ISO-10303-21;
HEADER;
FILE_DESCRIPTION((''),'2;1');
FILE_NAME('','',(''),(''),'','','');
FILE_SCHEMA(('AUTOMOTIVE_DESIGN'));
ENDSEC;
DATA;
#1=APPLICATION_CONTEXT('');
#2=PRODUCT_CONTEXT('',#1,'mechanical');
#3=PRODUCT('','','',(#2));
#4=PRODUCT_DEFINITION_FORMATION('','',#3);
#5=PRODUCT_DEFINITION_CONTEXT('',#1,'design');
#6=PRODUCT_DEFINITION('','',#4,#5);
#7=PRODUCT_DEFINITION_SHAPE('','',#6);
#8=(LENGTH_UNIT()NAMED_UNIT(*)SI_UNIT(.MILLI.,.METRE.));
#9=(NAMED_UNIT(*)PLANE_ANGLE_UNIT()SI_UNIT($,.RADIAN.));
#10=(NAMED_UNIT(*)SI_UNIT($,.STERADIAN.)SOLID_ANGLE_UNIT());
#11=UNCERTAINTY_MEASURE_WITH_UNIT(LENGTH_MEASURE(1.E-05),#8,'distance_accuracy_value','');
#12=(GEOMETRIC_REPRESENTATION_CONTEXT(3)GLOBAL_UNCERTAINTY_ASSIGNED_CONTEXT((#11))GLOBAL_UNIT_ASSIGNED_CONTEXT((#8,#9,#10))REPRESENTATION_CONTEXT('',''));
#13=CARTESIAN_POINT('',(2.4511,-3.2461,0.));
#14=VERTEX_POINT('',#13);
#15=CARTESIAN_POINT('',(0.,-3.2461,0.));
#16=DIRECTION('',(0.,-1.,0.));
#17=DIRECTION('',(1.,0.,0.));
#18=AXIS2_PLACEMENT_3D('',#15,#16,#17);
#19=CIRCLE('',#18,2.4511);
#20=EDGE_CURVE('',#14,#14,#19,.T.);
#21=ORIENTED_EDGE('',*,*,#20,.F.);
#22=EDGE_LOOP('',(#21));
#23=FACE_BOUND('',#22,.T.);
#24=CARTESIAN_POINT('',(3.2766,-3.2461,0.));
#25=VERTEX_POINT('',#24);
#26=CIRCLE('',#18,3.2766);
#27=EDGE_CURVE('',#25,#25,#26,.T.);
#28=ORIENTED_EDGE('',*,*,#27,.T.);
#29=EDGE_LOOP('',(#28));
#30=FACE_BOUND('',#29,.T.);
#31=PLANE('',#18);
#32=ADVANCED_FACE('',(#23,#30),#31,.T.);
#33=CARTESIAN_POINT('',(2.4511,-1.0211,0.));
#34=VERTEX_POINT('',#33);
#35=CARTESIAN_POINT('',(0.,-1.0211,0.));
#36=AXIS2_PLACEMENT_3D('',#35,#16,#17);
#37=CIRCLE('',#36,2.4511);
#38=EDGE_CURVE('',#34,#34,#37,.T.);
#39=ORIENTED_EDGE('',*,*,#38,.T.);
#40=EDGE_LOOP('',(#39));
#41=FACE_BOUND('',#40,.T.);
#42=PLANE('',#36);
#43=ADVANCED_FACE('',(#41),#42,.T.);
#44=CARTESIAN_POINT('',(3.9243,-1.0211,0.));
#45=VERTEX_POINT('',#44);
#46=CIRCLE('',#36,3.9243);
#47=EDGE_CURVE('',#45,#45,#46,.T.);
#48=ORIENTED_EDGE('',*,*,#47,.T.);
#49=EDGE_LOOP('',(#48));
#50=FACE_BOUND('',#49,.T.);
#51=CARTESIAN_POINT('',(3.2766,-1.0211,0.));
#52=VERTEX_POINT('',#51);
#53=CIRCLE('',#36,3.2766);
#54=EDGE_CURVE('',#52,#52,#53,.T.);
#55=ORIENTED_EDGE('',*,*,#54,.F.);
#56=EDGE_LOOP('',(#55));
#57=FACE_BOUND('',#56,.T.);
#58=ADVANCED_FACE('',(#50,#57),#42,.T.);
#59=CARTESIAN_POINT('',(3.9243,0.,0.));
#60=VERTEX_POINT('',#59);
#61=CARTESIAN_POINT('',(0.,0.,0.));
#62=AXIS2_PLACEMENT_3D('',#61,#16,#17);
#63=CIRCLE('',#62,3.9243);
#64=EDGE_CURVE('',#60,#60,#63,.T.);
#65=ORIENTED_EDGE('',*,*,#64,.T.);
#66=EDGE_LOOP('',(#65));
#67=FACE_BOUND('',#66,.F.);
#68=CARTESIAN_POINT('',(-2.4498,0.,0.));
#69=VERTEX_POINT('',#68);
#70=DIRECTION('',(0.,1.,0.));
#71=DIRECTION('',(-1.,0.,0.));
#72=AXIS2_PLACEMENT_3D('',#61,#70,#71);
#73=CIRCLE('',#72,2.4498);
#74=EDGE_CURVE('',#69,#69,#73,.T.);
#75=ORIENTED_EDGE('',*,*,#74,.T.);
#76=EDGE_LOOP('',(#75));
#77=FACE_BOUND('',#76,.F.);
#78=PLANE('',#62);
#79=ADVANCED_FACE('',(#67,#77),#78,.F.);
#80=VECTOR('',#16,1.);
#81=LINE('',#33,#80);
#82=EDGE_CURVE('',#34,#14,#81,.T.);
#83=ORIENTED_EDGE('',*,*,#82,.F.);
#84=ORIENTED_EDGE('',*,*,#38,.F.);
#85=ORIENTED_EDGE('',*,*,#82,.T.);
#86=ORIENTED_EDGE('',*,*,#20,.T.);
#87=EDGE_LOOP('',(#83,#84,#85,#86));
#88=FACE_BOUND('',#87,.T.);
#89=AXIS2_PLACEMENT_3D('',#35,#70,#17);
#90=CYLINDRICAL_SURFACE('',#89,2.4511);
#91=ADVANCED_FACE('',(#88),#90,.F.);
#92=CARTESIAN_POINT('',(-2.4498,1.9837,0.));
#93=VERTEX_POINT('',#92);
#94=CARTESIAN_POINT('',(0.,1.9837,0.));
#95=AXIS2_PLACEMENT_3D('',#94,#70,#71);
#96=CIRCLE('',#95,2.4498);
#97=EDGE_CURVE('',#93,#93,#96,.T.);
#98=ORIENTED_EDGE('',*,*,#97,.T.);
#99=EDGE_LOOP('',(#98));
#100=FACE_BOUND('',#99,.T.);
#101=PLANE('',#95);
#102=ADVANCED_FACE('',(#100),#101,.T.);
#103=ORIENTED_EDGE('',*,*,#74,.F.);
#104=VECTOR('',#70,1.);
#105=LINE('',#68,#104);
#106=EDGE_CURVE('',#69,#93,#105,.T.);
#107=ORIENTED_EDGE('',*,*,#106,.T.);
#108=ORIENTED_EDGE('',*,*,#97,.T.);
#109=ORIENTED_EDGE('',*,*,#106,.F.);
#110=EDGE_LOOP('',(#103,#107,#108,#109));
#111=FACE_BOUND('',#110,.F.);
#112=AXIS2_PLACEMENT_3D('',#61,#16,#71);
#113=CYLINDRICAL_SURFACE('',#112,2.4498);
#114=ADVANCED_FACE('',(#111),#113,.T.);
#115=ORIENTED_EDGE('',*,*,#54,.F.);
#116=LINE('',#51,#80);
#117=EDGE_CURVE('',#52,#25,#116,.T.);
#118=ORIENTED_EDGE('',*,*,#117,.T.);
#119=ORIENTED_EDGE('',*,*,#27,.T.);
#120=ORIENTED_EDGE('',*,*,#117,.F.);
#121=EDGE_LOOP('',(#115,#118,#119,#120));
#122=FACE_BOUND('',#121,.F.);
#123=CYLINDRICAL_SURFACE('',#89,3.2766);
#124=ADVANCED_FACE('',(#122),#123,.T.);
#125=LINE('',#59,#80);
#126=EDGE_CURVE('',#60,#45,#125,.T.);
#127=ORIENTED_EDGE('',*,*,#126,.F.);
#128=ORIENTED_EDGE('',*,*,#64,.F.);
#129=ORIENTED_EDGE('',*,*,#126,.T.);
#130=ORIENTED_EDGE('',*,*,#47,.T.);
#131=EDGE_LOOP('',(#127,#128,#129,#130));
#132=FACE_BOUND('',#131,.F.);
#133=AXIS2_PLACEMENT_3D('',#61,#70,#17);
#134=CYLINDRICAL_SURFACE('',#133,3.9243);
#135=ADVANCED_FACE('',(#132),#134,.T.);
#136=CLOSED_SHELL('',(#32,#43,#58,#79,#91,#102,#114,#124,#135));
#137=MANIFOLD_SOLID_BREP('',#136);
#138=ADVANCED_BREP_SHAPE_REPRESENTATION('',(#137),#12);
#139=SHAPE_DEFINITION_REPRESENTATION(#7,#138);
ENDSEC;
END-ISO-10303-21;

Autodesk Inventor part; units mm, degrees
ref_plane "YZ Plane" through (0, 0, 0) normal (1, 0, 0) x (0, 1, 0)
ref_plane "XZ Plane" through (0, 0, 0) normal (0, 1, 0) x (-1, 0, 0)
ref_plane "XY Plane" through (0, 0, 0) normal (0, 0, 1) x (1, 0, 0)
sketch "Sketch1" plane through (0, 0, 0) normal (0, 1, 0) x (-1, 0, 0)
  circle A0 centre (0, 0) radius 2.4498
  circle A1 centre (0, 0) radius 3.2766
  circle A2 centre (0, 0) radius 3.8989
  dimension "d0" = 4.8997
  dimension "d1" = 6.5532
  dimension "d2" = 7.7978
extrude "Extrusion1" add sketch "Sketch1" along normal blind 1.9837 contours A0
sketch "Sketch2" plane through (0, 0, 0) normal (0, -1, 0) x (1, 0, 0)
  circle A0 centre (0, 0) radius 3.9243
  dimension "d5" = 7.8486
extrude "Extrusion2" add sketch "Sketch2" along normal blind 1.0211
sketch "Sketch3" plane through (0, -1.0211, 0) normal (0, -1, 0) x (1, 0, 0)
  circle A0 centre (0, 0) radius 3.2766
  circle A1 centre (0, 0) radius 2.4511
  dimension "d8" = 6.5532
  dimension "d9" = 4.9022
extrude "Extrusion3" add sketch "Sketch3" along normal blind 2.225
properties part number "1x1 circular almost looks like peg peg"
